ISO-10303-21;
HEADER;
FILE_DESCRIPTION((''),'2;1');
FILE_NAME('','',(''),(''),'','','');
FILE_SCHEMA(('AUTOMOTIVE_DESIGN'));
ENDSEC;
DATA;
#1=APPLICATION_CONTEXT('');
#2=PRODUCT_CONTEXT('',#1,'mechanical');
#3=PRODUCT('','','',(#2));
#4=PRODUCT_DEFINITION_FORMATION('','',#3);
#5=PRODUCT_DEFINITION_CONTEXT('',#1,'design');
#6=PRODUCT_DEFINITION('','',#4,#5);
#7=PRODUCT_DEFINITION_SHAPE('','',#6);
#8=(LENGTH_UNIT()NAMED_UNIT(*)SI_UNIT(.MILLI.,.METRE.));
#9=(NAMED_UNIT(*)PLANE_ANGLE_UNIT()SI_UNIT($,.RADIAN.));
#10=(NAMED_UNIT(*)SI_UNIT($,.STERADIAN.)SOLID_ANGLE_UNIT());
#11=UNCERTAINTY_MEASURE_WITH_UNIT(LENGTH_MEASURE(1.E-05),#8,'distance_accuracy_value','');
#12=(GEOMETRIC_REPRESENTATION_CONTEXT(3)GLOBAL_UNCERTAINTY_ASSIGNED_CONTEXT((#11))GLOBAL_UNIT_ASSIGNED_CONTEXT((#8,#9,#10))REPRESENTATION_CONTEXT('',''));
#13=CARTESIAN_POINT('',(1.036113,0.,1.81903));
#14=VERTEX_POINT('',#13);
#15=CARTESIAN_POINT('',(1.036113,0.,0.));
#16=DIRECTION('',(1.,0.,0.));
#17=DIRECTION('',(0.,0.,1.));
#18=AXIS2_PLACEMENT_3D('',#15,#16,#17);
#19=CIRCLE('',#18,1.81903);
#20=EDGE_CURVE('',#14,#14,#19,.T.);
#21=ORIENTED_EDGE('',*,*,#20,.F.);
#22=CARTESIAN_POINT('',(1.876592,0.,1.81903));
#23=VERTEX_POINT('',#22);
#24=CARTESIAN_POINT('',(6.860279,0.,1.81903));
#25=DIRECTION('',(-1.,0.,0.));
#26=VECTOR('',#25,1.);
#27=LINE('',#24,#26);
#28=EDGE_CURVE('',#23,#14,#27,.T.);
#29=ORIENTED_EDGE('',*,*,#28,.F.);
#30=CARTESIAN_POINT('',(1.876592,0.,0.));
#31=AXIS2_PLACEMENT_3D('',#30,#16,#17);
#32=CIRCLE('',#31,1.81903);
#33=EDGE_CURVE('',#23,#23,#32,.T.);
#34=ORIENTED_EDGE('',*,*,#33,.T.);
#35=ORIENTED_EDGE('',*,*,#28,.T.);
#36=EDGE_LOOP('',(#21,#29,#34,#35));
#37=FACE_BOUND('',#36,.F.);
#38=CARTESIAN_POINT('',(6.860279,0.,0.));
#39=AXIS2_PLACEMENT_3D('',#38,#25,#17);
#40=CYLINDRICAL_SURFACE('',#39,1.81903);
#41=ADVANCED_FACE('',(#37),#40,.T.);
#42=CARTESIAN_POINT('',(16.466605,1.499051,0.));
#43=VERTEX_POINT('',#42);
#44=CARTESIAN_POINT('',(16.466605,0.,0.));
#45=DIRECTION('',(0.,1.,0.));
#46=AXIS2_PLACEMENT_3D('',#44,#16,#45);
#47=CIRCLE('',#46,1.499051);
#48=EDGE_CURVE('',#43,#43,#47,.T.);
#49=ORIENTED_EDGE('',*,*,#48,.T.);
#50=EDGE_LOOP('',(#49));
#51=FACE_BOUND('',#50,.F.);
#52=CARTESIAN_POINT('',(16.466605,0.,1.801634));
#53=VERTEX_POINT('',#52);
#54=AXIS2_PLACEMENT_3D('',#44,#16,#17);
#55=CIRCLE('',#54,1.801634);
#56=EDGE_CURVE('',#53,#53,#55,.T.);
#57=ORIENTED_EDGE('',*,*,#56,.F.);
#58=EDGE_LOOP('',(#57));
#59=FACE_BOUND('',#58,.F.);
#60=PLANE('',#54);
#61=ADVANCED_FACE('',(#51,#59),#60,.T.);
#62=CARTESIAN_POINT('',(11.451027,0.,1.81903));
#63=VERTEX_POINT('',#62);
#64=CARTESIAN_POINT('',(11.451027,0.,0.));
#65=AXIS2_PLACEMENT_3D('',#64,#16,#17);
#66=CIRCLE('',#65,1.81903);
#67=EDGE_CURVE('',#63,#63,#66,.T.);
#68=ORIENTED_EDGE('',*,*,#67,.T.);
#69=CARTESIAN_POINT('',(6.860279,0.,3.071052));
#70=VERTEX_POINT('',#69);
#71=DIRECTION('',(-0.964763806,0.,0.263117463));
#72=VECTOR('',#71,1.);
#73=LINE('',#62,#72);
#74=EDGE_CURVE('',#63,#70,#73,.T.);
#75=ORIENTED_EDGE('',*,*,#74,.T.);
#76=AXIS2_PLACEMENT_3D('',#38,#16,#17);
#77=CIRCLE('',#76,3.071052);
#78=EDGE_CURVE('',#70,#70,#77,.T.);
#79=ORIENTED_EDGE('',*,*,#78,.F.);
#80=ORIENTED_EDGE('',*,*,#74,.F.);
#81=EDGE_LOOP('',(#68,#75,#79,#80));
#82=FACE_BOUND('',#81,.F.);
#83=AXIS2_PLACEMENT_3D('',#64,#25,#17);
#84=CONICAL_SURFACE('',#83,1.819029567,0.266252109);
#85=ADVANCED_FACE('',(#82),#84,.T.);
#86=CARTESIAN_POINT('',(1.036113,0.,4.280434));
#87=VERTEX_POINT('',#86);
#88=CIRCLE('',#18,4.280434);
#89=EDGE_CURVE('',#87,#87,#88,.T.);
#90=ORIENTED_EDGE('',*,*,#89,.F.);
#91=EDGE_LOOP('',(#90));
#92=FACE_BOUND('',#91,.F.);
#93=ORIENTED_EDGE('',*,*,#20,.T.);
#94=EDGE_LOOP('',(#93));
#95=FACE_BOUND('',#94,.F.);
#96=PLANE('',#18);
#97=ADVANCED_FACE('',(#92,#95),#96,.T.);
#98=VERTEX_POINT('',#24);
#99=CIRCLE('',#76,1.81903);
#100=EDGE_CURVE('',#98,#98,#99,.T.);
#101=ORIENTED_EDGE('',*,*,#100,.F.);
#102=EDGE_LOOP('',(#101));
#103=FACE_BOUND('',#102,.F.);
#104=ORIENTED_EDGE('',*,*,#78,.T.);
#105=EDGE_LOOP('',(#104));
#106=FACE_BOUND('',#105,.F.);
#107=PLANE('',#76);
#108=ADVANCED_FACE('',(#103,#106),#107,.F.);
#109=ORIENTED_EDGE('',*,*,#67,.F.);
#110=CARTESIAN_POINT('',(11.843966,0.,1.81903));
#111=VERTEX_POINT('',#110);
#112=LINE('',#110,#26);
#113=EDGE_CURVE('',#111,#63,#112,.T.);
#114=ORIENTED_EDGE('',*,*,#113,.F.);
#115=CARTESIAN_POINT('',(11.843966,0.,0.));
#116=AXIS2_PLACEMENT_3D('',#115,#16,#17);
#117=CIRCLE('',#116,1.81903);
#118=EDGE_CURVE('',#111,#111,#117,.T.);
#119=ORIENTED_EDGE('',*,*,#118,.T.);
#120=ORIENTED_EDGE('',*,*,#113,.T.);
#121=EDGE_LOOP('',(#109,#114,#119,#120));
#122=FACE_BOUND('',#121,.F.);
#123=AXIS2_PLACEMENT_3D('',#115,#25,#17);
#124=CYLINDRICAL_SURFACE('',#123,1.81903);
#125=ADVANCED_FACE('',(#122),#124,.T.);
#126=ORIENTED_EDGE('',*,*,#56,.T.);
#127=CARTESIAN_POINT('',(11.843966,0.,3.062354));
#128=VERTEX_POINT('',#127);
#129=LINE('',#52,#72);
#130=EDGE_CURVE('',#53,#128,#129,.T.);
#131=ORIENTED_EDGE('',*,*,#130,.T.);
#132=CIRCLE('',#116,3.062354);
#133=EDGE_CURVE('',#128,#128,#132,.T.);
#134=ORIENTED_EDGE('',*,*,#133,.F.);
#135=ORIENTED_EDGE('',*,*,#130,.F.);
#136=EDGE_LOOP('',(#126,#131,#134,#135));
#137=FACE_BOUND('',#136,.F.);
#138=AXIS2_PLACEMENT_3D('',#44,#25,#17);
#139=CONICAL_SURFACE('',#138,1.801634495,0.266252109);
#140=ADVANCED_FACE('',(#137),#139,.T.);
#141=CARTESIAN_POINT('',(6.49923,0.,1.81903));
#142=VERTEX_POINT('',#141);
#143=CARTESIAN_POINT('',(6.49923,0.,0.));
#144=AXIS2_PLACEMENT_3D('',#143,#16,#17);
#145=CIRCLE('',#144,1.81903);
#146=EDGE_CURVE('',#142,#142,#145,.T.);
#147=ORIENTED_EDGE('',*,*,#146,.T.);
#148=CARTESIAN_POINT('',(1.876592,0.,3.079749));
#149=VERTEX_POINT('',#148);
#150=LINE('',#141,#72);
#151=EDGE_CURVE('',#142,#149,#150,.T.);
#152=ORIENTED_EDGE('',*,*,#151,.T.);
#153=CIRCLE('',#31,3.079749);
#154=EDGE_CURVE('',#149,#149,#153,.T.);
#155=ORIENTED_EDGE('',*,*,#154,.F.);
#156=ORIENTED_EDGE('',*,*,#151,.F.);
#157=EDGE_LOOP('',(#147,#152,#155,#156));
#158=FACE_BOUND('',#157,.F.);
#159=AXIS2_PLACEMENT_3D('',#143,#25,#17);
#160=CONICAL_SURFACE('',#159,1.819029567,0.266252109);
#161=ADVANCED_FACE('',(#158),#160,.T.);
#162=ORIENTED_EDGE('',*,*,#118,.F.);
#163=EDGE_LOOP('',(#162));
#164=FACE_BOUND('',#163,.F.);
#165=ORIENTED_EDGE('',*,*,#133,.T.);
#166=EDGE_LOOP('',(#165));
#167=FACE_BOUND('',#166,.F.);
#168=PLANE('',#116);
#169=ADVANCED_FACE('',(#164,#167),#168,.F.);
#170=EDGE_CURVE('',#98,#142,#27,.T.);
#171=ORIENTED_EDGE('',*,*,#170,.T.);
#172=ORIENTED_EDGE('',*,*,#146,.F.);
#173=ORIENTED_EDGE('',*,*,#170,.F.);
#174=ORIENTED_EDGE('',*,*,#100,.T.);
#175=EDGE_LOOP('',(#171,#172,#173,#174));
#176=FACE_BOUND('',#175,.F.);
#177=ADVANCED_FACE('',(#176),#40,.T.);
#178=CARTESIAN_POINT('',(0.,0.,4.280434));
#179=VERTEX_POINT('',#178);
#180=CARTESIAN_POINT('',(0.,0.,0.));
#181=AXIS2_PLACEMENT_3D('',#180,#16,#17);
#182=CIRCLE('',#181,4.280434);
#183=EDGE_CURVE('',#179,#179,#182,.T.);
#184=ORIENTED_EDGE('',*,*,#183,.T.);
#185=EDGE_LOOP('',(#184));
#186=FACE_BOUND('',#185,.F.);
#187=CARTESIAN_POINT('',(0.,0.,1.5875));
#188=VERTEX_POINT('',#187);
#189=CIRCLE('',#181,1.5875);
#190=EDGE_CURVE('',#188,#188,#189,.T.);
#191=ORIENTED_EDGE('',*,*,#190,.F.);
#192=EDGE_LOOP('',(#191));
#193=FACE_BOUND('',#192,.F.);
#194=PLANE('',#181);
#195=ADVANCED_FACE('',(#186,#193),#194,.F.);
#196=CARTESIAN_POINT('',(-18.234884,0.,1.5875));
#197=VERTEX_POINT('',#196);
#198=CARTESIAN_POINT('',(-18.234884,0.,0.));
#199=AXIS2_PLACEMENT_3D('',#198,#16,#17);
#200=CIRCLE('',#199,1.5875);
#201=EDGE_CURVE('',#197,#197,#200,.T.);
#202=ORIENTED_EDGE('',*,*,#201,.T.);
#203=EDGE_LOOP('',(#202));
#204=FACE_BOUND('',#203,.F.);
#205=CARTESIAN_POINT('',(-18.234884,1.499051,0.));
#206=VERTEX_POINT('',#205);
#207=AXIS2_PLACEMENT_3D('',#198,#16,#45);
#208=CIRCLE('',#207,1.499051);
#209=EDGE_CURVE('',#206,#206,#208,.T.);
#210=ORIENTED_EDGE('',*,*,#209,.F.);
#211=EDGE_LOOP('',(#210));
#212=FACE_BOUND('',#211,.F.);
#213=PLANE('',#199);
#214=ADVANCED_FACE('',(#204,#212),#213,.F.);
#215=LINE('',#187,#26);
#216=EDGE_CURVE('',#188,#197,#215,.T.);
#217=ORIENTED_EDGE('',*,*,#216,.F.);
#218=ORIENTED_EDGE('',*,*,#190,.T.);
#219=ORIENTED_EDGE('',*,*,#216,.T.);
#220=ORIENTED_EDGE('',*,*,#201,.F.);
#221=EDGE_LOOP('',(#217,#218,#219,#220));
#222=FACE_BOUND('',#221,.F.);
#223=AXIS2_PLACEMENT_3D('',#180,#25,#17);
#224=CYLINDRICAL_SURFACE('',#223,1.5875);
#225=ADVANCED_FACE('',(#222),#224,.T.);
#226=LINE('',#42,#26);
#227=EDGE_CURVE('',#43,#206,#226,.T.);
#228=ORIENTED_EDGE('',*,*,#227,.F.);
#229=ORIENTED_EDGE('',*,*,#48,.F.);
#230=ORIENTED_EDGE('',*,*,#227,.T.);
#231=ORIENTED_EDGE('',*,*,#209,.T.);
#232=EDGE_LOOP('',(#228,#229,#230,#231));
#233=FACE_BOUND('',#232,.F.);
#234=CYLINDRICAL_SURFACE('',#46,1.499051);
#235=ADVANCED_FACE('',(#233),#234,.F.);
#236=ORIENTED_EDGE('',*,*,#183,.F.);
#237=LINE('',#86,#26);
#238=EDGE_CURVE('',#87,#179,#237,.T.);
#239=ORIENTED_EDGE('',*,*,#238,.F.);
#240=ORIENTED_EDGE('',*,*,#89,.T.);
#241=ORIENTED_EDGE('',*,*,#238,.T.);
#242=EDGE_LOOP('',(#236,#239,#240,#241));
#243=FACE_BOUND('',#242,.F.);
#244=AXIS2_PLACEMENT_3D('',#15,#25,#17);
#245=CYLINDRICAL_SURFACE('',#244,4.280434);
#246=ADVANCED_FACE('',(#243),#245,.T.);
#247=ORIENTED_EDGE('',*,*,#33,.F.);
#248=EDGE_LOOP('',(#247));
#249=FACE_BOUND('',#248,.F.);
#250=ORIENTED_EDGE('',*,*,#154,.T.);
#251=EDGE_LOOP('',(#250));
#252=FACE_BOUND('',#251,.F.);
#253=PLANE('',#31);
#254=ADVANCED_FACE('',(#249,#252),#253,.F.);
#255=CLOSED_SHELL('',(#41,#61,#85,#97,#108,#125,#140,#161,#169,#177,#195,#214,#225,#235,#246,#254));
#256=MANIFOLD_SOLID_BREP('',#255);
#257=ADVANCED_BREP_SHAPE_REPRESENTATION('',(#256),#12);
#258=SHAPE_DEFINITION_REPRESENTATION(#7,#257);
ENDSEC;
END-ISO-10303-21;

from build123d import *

# Parameters (mm, degrees)
F2_R     = 1.4990506736
F3_DEPTH = 48.2092


with BuildPart() as f1:
    # F0 (on Front) → F1 (revolve)
    with BuildSketch(Plane.XZ):
        Polygon((6.8602792752, 1.8190295668), (11.4510266601, 1.8190295668), (6.8602792752, 3.0710518752), align=None)
        Polygon((-18.2348843664, 1.5875), (-18.2348843664, 0), (16.4666048384, 0), (16.4666048384, 1.8016344952), (11.8439664964, 3.0623543394), (11.8439664964, 1.8190295668), (11.4510266601, 1.8190295668), (6.8602792752, 1.8190295668), (6.499230396, 1.8190295668), (1.876592054, 1.8190295668), (1.0361127788, 1.8190295668), (1.0361127788, 4.2804344557), (0, 4.2804344557), (0, 1.5875), align=None)
        Polygon((1.876592054, 3.079749411), (1.876592054, 1.8190295668), (6.499230396, 1.8190295668), align=None)
    revolve(axis=Axis((-0.884139764, 0, 0), (1, 0, 0)))

    # F2 (on face) → F3 (cut)
    with BuildSketch(Plane.YZ.offset(16.4666048384)):
        Circle(F2_R)
    extrude(amount=-F3_DEPTH, mode=Mode.SUBTRACT)


solid = f1.part
